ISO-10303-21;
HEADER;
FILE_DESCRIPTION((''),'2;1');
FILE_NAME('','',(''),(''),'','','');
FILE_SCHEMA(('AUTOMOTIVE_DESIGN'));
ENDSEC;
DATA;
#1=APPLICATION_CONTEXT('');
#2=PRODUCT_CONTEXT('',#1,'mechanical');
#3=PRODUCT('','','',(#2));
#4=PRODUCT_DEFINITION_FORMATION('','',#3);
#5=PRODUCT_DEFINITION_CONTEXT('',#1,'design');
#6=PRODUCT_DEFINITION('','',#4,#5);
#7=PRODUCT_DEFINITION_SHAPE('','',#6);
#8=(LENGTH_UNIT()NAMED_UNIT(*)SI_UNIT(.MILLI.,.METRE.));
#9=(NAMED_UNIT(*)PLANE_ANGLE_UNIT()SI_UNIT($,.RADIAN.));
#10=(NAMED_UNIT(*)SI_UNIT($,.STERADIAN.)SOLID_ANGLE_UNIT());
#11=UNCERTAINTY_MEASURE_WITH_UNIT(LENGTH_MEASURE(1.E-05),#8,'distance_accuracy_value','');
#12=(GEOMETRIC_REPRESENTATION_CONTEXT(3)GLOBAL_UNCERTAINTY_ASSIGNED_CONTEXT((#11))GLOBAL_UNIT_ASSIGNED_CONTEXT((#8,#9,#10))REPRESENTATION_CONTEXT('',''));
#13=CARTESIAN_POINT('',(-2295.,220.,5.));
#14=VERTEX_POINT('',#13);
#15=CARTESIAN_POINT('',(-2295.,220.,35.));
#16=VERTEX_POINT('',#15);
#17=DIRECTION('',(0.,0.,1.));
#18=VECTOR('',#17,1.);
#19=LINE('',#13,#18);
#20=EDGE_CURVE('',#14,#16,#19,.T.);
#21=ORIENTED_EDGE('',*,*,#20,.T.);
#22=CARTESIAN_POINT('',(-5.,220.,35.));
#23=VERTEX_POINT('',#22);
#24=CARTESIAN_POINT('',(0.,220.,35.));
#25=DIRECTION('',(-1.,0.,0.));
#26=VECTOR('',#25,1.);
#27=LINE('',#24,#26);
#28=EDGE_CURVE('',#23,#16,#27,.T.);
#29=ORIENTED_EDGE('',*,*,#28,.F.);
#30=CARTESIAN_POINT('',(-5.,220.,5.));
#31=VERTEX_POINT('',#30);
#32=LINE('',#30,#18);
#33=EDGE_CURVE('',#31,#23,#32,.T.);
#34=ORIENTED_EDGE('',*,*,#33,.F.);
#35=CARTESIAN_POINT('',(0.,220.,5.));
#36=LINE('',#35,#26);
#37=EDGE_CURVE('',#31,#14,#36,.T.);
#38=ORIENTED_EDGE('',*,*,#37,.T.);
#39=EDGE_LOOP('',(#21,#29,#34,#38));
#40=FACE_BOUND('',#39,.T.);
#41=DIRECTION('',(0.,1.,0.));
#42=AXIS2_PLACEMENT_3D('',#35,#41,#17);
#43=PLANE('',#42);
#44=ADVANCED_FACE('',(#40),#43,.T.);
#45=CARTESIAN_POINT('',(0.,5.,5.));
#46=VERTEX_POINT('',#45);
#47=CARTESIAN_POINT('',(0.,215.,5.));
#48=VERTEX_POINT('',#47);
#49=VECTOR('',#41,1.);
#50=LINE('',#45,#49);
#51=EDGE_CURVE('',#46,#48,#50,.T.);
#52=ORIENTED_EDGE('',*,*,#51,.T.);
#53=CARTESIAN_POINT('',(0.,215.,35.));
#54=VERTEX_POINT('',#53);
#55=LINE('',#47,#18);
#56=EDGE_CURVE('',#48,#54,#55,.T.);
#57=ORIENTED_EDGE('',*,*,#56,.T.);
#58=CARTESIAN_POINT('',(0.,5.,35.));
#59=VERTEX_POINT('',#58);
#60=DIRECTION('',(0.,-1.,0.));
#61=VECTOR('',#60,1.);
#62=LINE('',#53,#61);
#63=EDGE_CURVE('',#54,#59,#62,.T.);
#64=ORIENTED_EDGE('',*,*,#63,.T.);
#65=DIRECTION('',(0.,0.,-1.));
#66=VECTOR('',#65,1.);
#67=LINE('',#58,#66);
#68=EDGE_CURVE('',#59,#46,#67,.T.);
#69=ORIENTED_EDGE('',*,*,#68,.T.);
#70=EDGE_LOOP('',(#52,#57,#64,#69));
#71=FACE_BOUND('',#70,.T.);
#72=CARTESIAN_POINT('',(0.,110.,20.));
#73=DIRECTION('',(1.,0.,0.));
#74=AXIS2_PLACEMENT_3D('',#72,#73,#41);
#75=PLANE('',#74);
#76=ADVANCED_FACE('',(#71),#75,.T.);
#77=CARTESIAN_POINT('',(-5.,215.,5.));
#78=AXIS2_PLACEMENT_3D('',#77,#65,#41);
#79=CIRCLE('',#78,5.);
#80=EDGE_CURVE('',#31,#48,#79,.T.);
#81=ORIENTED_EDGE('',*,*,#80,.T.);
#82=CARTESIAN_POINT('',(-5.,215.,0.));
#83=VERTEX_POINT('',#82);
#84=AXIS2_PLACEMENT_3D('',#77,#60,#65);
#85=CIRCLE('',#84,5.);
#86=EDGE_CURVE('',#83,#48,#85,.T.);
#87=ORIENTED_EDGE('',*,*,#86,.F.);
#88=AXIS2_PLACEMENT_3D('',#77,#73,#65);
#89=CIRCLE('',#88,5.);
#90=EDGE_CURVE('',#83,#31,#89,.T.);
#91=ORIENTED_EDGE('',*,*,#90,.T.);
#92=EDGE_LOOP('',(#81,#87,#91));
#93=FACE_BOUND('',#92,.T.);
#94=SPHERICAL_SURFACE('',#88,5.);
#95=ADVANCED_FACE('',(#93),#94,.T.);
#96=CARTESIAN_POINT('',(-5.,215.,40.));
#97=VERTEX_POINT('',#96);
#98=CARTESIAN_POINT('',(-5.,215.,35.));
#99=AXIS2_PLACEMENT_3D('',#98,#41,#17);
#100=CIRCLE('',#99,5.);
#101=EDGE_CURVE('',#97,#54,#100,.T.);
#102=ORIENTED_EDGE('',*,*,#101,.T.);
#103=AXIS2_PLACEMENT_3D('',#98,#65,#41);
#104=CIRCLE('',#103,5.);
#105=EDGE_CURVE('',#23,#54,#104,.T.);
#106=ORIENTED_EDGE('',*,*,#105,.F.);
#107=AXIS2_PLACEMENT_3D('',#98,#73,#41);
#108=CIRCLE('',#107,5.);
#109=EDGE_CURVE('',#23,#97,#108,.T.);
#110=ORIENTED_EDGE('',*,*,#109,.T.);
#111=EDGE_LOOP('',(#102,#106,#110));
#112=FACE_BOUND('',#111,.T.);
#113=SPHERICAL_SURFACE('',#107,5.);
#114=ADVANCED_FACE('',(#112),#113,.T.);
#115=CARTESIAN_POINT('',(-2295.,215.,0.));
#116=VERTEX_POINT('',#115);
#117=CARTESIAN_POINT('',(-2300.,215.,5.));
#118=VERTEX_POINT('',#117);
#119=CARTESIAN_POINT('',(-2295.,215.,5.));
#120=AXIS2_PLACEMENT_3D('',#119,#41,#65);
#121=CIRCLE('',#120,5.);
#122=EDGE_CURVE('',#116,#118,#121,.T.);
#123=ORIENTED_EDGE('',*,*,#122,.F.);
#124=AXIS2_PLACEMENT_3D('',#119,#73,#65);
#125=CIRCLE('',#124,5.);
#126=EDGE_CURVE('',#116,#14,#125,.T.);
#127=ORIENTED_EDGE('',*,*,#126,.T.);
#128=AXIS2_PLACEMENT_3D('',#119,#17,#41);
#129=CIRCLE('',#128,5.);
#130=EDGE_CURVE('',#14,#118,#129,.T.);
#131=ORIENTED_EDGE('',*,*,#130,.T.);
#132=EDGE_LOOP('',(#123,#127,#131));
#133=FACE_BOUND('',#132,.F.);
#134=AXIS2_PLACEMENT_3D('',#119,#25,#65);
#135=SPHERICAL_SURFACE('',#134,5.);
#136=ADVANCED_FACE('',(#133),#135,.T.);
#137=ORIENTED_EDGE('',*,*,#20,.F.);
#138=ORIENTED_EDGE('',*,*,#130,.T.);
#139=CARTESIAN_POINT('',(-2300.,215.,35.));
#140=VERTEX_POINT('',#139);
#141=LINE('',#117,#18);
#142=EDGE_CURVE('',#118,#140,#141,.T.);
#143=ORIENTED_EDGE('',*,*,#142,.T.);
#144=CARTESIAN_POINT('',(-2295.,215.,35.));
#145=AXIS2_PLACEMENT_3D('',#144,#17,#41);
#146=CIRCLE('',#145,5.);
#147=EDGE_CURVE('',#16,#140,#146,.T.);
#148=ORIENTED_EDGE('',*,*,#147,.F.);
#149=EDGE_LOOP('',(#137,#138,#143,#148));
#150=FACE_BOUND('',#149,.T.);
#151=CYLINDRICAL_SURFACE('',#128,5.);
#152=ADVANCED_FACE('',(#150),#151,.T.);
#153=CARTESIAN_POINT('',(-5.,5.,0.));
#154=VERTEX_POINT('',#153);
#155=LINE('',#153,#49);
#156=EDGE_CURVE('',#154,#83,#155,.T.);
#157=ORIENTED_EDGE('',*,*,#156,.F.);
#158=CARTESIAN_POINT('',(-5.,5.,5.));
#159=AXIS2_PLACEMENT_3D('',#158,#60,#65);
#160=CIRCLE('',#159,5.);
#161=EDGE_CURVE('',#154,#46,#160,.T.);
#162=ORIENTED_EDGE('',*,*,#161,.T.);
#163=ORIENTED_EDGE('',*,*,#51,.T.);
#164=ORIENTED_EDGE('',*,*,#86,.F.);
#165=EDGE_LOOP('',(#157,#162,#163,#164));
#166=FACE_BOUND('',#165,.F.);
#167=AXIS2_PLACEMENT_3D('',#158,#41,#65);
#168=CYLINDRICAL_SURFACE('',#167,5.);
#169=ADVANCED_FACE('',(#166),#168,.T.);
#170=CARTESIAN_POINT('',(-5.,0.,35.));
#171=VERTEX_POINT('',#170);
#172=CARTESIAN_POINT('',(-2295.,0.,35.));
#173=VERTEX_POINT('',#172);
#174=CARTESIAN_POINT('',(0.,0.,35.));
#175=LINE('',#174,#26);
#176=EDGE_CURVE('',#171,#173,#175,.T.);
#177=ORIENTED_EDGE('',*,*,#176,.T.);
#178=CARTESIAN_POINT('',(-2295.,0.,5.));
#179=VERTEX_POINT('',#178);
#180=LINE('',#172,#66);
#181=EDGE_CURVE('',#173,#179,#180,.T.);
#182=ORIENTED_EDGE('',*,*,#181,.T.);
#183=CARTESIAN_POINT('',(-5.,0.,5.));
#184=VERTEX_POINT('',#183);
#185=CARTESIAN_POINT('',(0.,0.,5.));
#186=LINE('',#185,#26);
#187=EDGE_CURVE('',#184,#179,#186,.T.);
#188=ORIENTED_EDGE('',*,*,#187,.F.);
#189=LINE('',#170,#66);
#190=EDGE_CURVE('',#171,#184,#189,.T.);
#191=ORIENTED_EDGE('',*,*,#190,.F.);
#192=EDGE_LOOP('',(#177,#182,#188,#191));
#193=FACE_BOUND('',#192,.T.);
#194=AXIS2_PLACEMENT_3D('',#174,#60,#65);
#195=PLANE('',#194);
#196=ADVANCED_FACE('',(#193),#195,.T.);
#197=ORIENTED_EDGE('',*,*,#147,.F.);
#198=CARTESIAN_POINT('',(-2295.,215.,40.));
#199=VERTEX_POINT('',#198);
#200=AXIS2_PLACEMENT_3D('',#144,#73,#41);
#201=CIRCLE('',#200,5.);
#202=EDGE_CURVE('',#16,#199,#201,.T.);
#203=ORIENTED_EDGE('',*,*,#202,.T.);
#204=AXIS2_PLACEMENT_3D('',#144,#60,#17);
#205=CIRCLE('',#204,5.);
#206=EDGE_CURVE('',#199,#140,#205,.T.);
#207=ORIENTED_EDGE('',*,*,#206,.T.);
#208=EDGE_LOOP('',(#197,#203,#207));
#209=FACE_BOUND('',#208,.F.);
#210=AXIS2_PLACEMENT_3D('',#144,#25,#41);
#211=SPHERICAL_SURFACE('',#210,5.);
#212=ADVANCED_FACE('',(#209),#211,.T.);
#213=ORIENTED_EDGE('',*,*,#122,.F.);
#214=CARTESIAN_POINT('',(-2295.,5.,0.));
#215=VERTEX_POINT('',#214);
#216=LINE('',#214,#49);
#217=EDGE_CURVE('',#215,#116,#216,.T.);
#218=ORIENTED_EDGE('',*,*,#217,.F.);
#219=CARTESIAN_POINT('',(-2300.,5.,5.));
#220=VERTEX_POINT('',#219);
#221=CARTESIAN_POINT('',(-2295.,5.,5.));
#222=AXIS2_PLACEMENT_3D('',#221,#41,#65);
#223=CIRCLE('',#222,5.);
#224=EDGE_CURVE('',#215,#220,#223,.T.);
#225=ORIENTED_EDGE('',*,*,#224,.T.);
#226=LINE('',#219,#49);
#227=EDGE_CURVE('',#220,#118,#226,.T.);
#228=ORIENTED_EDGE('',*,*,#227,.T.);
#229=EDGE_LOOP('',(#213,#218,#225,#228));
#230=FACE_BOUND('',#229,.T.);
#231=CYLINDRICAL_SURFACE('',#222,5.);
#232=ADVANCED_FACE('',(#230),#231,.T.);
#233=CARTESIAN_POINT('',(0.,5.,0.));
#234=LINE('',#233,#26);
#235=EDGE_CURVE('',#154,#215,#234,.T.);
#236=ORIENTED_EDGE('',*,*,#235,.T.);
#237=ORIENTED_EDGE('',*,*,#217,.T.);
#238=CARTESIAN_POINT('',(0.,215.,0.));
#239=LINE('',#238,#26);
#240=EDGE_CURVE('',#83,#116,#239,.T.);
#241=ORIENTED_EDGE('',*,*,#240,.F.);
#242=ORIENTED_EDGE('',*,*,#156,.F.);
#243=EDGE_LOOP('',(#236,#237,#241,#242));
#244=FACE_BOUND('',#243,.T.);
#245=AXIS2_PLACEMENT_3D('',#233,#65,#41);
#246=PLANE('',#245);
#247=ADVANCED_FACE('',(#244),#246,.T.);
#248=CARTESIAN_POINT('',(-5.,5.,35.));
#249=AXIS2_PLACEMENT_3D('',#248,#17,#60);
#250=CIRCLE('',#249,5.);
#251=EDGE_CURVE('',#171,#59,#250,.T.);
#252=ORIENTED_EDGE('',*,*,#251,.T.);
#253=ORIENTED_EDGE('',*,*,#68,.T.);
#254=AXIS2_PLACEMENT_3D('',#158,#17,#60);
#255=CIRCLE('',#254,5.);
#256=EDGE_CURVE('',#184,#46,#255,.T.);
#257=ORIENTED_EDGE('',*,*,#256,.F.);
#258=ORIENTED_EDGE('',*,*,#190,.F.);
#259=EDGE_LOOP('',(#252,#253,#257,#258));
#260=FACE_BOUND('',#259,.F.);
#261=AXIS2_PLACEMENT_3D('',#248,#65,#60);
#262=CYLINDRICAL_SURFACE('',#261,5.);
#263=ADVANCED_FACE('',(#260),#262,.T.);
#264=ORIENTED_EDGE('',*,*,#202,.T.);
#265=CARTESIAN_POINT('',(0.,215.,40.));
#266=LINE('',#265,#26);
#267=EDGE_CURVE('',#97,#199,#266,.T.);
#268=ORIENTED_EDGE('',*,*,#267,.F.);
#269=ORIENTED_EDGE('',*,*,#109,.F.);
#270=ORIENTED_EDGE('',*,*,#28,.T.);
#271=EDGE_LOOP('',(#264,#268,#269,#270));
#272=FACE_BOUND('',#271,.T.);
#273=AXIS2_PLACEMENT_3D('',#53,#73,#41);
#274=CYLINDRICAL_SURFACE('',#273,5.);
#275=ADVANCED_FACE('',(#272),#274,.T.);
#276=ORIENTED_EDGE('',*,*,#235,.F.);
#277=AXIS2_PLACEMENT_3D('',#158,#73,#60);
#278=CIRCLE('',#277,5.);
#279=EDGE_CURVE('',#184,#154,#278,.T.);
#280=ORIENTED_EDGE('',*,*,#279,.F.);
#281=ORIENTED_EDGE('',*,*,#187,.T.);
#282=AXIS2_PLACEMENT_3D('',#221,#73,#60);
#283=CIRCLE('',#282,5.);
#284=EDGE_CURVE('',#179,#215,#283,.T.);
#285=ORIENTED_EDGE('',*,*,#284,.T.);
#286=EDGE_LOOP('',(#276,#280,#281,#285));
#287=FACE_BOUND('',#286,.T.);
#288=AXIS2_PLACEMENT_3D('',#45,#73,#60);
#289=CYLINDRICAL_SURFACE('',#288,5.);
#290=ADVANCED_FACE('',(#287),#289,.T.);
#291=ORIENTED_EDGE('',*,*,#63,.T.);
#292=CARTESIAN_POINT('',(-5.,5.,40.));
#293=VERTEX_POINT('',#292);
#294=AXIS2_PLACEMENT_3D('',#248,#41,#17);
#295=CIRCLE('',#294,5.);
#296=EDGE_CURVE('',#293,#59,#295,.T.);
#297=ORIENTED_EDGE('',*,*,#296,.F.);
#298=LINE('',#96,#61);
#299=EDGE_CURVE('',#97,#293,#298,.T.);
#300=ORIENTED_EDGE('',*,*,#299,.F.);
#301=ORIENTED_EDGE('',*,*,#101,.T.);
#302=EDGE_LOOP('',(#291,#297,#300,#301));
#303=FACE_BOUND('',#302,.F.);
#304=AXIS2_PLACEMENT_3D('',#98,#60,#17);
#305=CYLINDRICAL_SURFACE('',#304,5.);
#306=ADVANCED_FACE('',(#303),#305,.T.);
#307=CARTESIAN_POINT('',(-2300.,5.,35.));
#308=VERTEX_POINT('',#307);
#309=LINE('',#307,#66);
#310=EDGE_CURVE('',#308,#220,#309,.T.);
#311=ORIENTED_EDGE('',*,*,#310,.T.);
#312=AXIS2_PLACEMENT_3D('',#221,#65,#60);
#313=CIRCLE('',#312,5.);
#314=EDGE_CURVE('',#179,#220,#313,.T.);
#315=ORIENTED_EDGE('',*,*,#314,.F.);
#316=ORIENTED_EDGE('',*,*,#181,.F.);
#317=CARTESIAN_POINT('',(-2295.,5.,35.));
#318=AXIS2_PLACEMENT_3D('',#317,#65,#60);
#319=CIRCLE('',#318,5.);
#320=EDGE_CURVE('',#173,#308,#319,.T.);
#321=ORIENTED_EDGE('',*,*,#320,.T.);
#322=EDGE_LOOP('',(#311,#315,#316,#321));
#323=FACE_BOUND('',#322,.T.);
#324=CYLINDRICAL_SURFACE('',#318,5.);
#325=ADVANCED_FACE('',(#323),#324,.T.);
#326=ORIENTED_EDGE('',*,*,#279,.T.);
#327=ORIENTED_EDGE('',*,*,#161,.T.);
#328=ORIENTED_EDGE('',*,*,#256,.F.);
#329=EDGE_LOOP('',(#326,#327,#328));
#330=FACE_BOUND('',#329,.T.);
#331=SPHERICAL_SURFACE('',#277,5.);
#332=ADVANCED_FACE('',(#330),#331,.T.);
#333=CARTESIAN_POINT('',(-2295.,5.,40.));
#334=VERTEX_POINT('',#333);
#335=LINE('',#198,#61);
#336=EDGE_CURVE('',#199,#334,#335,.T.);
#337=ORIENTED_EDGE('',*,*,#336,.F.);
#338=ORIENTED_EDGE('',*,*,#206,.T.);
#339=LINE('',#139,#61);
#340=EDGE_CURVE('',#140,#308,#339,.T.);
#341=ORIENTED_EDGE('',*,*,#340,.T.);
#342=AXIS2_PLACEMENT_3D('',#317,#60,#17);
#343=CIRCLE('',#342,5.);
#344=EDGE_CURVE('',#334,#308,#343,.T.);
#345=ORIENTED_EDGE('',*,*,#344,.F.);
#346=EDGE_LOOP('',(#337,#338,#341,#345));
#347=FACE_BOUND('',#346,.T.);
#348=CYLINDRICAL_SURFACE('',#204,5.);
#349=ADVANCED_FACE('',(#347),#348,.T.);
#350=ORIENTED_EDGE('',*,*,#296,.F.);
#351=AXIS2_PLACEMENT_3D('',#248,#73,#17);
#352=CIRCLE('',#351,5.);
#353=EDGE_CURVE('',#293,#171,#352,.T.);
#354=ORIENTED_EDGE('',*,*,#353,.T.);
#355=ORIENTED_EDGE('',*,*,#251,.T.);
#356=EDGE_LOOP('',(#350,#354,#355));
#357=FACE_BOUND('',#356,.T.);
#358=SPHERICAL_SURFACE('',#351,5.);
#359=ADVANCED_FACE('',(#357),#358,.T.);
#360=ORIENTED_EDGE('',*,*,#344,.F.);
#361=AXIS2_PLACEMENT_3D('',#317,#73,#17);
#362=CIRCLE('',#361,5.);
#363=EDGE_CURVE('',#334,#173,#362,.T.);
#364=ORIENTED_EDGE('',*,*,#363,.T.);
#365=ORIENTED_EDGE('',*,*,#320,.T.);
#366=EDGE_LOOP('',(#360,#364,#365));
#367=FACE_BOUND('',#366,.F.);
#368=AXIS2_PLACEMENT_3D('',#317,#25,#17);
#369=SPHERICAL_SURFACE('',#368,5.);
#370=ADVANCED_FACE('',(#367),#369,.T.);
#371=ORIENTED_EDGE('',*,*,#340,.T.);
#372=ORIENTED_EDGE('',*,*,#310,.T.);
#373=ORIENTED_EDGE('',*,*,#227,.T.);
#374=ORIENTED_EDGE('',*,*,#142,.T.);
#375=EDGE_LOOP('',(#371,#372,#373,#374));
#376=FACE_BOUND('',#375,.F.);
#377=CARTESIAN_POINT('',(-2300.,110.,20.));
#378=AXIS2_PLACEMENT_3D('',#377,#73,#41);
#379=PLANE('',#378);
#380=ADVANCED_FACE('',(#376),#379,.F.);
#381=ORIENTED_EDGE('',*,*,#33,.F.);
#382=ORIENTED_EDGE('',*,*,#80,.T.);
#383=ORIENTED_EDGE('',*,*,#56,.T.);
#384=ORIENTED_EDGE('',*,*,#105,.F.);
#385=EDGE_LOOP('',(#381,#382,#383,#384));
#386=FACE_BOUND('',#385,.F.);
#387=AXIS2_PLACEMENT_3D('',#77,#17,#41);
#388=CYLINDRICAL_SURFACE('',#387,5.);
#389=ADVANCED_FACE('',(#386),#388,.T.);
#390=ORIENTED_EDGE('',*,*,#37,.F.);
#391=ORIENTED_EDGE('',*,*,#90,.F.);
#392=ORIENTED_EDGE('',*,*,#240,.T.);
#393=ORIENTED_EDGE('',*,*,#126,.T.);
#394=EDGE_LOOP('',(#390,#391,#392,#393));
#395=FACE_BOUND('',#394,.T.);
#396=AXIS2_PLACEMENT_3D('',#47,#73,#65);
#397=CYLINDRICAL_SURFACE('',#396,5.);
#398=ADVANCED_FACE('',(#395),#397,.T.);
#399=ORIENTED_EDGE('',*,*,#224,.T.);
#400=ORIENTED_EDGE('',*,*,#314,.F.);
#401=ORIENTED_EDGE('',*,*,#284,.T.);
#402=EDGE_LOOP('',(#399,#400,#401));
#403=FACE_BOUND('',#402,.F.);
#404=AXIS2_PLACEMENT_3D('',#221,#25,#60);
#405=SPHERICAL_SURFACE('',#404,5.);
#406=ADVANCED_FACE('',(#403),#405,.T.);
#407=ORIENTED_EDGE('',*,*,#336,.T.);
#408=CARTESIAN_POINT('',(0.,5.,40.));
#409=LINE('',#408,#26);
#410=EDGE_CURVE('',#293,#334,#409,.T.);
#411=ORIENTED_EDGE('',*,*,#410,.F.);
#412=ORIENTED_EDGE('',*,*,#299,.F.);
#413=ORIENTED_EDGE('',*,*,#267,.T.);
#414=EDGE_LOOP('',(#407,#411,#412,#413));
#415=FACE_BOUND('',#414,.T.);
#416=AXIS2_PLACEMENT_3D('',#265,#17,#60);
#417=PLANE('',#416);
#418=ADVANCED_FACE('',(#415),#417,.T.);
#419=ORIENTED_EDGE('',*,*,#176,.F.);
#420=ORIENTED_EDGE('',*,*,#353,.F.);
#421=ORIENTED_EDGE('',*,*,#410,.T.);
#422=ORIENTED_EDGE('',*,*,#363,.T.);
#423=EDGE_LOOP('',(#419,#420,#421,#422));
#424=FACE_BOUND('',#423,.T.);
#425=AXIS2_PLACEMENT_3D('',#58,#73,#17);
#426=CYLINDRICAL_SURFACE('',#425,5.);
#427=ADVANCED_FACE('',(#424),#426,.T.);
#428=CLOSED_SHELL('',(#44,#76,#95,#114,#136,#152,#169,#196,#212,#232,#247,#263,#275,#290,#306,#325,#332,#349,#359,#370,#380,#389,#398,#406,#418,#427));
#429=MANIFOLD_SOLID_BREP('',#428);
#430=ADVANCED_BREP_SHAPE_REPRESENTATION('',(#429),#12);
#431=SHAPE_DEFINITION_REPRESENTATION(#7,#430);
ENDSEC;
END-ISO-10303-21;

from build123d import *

# Parameters (mm, degrees)
F1_DEPTH = 2300
F2_R     = 5
F3_R     = 5


with BuildPart() as f1:
    # F0 (on Right) → F1 (new body)
    with BuildSketch(Plane.YZ):
        with BuildLine():
            ThreePointArc((0, 5), (1.4644660941, 1.4644660941), (5, 0))
            Line((5, 0), (215, 0))
            ThreePointArc((215, 0), (218.5355339059, 1.4644660941), (220, 5))
            Line((220, 5), (220, 35))
            ThreePointArc((220, 35), (218.5355339059, 38.5355339059), (215, 40))
            Line((215, 40), (5, 40))
            ThreePointArc((5, 40), (1.4644660941, 38.5355339059), (0, 35))
            Line((0, 35), (0, 5))
        make_face()
    extrude(amount=-F1_DEPTH)

    # F2
    f2_edges = [f1.edges().sort_by_distance(p)[0] for p in [
        (0, 110, 40),
    ]]
    fillet(f2_edges, radius=F2_R)

    # F3
    f3_edges = [f1.edges().sort_by_distance(p)[0] for p in [
        (-2300, 0, 20),
        (-2300, 1.464466, 1.464466),
        (-2300, 110, 0),
        (-2300, 218.535534, 1.464466),
        (-2300, 220, 20),
        (-2300, 218.535534, 38.535534),
        (-2300, 110, 40),
        (-2300, 1.464466, 38.535534),
    ]]
    fillet(f3_edges, radius=F3_R)


solid = f1.part
